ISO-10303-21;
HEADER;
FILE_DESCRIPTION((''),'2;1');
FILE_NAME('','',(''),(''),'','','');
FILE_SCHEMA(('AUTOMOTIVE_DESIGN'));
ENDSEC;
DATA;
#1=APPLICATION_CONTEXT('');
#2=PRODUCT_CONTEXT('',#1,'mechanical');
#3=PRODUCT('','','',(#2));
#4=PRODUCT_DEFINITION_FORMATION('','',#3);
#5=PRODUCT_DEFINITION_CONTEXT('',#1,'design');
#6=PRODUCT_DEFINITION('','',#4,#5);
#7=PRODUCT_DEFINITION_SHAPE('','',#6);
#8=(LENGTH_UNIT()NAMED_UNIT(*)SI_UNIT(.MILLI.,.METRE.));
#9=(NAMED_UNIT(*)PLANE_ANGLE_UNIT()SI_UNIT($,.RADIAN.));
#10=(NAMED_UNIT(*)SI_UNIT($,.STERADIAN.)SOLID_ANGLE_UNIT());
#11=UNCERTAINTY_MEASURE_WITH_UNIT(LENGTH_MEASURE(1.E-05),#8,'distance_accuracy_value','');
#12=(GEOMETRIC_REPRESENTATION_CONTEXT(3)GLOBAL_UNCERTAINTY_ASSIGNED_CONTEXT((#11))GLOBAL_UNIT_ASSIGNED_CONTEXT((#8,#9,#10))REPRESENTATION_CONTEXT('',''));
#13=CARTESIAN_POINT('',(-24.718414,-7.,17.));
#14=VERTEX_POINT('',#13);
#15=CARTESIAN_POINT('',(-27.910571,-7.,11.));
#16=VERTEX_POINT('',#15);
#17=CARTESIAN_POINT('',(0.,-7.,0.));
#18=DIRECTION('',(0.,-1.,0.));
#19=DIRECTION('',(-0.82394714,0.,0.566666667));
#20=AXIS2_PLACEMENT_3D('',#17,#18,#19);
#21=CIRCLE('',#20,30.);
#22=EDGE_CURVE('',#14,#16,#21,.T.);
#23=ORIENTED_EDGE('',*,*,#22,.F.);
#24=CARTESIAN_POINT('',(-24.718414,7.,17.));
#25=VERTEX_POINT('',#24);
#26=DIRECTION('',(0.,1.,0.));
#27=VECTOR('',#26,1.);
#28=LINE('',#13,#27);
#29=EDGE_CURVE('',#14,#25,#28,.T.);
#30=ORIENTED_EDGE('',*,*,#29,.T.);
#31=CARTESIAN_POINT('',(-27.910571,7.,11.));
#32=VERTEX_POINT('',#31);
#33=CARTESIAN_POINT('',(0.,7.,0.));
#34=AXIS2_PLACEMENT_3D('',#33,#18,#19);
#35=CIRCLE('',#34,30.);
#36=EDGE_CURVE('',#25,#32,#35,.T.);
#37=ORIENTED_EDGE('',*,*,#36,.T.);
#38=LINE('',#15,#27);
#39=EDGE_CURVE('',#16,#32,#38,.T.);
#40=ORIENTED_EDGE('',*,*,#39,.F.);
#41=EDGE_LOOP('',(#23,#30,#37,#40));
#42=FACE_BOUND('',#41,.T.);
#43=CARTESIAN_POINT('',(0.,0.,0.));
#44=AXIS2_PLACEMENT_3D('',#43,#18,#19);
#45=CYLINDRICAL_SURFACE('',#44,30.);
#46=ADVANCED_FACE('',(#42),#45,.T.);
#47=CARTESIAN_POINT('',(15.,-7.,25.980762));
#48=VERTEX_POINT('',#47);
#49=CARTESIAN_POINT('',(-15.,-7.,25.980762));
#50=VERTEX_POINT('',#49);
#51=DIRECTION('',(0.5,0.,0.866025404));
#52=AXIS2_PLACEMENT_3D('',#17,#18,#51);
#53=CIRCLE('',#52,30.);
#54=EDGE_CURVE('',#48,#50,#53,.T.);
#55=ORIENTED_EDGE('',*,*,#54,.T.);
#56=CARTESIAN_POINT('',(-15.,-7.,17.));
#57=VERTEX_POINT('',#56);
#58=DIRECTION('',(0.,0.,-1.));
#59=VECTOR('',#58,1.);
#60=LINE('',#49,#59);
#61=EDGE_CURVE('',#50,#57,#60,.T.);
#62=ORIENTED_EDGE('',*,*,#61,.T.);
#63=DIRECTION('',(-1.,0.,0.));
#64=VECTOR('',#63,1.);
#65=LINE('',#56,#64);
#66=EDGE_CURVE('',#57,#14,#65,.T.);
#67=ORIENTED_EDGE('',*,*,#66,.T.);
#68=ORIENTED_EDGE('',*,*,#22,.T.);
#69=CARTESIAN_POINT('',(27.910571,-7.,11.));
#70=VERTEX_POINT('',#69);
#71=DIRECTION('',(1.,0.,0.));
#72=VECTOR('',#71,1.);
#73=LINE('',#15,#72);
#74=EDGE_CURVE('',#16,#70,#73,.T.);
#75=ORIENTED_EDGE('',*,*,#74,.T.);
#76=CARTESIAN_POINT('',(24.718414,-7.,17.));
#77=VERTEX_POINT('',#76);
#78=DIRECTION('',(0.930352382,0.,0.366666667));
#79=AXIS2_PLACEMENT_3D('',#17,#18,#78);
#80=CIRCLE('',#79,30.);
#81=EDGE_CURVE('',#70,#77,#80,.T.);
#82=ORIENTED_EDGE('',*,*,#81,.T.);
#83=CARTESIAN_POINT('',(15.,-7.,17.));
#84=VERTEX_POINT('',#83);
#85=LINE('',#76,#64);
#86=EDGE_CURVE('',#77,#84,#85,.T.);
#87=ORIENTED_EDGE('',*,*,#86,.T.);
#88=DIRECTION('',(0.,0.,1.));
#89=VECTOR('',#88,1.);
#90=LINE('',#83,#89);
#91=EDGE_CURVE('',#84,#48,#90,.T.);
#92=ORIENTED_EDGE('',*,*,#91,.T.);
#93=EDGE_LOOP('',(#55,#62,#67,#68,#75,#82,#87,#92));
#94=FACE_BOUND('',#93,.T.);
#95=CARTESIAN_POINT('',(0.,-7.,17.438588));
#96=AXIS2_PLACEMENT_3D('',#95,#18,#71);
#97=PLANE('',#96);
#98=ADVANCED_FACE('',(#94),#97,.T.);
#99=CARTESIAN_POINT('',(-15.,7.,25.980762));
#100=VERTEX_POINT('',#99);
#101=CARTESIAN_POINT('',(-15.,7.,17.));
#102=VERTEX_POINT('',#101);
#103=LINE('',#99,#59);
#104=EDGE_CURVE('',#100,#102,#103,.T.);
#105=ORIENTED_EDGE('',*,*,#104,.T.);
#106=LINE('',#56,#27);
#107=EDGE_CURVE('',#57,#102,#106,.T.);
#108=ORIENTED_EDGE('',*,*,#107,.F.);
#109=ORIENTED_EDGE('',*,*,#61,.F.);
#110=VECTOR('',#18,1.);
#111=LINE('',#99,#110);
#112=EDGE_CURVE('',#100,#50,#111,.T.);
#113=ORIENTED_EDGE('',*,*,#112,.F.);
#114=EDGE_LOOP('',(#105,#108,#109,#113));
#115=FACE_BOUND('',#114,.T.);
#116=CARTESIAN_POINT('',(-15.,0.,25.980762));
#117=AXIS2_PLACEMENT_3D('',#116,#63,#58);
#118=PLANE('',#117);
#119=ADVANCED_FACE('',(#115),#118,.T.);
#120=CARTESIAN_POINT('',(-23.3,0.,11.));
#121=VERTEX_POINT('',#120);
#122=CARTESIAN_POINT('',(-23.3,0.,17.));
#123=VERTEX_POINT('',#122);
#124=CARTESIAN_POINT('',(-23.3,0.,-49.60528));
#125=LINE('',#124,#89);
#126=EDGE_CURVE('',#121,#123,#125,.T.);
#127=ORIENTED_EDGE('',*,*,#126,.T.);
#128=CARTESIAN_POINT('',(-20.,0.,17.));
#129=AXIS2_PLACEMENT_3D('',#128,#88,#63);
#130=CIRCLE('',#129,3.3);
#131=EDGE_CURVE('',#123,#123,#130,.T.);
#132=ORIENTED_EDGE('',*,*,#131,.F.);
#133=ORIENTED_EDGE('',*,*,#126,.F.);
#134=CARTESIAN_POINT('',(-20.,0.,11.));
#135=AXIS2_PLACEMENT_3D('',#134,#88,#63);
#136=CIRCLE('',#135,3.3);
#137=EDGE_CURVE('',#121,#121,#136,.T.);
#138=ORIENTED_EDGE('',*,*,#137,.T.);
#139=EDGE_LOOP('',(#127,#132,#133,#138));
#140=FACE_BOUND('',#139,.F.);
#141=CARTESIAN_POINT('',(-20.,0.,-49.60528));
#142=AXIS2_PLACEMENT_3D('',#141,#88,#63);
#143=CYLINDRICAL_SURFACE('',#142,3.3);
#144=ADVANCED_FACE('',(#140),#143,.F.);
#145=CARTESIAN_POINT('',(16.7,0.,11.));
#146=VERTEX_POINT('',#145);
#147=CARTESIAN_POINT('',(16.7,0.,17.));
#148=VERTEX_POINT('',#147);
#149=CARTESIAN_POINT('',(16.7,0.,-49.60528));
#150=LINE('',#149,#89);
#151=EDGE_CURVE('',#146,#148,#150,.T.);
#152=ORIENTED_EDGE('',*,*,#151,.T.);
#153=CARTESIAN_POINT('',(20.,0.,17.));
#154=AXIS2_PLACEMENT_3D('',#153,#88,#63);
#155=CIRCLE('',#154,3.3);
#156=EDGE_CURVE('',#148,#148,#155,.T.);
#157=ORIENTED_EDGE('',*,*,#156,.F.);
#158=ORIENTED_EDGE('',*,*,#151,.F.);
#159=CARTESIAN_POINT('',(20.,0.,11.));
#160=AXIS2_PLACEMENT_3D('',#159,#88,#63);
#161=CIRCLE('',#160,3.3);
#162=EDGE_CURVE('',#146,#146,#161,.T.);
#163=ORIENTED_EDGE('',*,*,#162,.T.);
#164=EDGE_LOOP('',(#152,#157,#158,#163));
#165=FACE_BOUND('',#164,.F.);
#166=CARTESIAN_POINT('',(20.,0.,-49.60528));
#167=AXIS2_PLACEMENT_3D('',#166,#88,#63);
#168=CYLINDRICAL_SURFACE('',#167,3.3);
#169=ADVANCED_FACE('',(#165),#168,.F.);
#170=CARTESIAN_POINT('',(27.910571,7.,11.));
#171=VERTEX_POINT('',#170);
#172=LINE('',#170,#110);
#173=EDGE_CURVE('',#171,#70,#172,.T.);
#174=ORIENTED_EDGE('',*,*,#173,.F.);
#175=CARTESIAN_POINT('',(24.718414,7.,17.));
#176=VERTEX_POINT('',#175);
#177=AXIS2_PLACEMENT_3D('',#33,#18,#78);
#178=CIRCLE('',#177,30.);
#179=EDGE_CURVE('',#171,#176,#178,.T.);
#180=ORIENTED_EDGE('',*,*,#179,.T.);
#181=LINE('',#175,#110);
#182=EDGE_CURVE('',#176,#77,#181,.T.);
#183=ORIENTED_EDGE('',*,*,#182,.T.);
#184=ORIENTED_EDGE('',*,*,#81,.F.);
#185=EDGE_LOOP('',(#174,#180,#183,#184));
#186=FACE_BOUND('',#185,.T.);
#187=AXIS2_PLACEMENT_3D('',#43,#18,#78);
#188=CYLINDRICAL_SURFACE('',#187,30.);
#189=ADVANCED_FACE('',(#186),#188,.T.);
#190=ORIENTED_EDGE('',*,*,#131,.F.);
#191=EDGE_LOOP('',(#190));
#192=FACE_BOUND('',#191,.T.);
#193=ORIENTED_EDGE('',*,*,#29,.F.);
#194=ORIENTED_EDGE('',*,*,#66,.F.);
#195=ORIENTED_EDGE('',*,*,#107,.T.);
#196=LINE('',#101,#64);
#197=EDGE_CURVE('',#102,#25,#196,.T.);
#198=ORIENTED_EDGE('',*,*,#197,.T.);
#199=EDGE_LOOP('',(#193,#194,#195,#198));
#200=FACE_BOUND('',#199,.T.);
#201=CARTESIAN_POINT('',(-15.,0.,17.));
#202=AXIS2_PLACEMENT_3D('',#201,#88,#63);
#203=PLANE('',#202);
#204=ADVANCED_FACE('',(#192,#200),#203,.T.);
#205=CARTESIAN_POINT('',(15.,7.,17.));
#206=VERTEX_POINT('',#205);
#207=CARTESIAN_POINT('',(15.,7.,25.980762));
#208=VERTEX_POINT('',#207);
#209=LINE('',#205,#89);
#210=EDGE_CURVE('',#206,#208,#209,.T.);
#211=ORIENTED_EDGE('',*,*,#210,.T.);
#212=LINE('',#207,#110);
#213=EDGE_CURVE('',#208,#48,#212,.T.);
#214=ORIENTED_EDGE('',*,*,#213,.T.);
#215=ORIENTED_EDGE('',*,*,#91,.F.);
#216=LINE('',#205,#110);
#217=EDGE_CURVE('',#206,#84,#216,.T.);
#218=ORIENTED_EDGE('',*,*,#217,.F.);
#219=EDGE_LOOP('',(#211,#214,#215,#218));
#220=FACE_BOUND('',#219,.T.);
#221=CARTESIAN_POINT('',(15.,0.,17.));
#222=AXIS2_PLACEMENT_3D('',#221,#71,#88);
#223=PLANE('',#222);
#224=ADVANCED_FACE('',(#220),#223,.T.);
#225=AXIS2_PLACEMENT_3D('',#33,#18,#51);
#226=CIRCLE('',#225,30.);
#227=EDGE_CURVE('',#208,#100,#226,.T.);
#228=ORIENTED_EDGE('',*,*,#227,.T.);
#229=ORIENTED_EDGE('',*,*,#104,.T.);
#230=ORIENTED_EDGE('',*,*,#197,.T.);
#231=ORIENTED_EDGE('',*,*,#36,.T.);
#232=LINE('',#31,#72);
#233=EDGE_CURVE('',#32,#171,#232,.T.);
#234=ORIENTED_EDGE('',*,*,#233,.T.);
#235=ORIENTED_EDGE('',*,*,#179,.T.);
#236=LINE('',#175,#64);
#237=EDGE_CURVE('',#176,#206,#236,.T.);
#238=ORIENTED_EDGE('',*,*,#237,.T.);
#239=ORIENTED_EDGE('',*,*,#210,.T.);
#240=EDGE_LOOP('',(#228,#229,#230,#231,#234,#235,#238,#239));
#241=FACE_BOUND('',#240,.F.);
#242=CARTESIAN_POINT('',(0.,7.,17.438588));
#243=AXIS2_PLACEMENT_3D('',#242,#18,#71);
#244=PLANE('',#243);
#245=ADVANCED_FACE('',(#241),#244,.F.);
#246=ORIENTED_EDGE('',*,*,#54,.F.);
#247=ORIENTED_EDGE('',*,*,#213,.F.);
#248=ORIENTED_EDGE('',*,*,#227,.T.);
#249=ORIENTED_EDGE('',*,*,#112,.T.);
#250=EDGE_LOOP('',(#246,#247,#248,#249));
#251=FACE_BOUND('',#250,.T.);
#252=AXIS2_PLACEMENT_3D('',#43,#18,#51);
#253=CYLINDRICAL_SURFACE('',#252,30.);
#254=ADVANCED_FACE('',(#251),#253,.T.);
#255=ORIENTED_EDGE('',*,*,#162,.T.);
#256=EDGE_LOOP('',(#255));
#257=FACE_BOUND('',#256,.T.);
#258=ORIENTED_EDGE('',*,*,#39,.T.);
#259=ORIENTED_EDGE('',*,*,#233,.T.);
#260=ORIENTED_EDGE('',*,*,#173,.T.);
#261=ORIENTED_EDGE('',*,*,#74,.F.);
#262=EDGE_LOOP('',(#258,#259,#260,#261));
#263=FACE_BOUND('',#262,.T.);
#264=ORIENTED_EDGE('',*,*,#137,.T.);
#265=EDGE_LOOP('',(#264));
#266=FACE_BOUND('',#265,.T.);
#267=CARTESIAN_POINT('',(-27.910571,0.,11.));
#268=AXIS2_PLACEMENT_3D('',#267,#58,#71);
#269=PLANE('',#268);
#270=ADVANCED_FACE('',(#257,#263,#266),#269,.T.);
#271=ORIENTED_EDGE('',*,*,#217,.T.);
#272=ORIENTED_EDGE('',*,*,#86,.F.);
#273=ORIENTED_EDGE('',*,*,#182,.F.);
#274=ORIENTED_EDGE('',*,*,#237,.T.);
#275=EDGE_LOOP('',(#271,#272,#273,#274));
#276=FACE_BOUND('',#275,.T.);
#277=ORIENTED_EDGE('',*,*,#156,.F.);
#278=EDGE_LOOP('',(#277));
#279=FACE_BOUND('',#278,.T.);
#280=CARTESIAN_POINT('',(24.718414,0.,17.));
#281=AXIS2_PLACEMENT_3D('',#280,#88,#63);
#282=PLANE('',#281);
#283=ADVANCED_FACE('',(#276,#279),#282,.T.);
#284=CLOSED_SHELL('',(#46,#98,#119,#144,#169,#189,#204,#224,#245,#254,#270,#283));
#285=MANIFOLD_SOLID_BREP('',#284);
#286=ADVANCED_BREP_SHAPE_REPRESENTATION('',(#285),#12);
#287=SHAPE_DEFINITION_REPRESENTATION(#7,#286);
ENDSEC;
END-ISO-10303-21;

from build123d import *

# Parameters (mm, degrees)
F1_DEPTH = 7
F3_D     = 6.6


with BuildPart() as f1:
    # F0 (on Front) → F1 (new body, symmetric)
    with BuildSketch(Plane.XZ):
        with BuildLine():
            Line((-27.9105714739, 11), (27.9105714739, 11))
            ThreePointArc((27.9105714739, 11), (26.4849491781, 14.0906872449), (24.7184141886, 17))
            Line((24.7184141886, 17), (15, 17))
            Line((15, 17), (15, 25.9807621135))
            ThreePointArc((15, 25.9807621135), (0, 30), (-15, 25.9807621135))
            Line((-15, 25.9807621135), (-15, 17))
            Line((-15, 17), (-24.7184141886, 17))
            ThreePointArc((-24.7184141886, 17), (-26.4849491781, 14.0906872449), (-27.9105714739, 11))
        make_face()
    extrude(amount=F1_DEPTH, both=True)

    # F3 (through all)
    with Locations(Plane(origin=(0, 0, 11), x_dir=(1, 0, 0), z_dir=(0, 0, -1))):
        with Locations((-20, 0), (20, 0)):
            Hole(F3_D / 2)


solid = f1.part
